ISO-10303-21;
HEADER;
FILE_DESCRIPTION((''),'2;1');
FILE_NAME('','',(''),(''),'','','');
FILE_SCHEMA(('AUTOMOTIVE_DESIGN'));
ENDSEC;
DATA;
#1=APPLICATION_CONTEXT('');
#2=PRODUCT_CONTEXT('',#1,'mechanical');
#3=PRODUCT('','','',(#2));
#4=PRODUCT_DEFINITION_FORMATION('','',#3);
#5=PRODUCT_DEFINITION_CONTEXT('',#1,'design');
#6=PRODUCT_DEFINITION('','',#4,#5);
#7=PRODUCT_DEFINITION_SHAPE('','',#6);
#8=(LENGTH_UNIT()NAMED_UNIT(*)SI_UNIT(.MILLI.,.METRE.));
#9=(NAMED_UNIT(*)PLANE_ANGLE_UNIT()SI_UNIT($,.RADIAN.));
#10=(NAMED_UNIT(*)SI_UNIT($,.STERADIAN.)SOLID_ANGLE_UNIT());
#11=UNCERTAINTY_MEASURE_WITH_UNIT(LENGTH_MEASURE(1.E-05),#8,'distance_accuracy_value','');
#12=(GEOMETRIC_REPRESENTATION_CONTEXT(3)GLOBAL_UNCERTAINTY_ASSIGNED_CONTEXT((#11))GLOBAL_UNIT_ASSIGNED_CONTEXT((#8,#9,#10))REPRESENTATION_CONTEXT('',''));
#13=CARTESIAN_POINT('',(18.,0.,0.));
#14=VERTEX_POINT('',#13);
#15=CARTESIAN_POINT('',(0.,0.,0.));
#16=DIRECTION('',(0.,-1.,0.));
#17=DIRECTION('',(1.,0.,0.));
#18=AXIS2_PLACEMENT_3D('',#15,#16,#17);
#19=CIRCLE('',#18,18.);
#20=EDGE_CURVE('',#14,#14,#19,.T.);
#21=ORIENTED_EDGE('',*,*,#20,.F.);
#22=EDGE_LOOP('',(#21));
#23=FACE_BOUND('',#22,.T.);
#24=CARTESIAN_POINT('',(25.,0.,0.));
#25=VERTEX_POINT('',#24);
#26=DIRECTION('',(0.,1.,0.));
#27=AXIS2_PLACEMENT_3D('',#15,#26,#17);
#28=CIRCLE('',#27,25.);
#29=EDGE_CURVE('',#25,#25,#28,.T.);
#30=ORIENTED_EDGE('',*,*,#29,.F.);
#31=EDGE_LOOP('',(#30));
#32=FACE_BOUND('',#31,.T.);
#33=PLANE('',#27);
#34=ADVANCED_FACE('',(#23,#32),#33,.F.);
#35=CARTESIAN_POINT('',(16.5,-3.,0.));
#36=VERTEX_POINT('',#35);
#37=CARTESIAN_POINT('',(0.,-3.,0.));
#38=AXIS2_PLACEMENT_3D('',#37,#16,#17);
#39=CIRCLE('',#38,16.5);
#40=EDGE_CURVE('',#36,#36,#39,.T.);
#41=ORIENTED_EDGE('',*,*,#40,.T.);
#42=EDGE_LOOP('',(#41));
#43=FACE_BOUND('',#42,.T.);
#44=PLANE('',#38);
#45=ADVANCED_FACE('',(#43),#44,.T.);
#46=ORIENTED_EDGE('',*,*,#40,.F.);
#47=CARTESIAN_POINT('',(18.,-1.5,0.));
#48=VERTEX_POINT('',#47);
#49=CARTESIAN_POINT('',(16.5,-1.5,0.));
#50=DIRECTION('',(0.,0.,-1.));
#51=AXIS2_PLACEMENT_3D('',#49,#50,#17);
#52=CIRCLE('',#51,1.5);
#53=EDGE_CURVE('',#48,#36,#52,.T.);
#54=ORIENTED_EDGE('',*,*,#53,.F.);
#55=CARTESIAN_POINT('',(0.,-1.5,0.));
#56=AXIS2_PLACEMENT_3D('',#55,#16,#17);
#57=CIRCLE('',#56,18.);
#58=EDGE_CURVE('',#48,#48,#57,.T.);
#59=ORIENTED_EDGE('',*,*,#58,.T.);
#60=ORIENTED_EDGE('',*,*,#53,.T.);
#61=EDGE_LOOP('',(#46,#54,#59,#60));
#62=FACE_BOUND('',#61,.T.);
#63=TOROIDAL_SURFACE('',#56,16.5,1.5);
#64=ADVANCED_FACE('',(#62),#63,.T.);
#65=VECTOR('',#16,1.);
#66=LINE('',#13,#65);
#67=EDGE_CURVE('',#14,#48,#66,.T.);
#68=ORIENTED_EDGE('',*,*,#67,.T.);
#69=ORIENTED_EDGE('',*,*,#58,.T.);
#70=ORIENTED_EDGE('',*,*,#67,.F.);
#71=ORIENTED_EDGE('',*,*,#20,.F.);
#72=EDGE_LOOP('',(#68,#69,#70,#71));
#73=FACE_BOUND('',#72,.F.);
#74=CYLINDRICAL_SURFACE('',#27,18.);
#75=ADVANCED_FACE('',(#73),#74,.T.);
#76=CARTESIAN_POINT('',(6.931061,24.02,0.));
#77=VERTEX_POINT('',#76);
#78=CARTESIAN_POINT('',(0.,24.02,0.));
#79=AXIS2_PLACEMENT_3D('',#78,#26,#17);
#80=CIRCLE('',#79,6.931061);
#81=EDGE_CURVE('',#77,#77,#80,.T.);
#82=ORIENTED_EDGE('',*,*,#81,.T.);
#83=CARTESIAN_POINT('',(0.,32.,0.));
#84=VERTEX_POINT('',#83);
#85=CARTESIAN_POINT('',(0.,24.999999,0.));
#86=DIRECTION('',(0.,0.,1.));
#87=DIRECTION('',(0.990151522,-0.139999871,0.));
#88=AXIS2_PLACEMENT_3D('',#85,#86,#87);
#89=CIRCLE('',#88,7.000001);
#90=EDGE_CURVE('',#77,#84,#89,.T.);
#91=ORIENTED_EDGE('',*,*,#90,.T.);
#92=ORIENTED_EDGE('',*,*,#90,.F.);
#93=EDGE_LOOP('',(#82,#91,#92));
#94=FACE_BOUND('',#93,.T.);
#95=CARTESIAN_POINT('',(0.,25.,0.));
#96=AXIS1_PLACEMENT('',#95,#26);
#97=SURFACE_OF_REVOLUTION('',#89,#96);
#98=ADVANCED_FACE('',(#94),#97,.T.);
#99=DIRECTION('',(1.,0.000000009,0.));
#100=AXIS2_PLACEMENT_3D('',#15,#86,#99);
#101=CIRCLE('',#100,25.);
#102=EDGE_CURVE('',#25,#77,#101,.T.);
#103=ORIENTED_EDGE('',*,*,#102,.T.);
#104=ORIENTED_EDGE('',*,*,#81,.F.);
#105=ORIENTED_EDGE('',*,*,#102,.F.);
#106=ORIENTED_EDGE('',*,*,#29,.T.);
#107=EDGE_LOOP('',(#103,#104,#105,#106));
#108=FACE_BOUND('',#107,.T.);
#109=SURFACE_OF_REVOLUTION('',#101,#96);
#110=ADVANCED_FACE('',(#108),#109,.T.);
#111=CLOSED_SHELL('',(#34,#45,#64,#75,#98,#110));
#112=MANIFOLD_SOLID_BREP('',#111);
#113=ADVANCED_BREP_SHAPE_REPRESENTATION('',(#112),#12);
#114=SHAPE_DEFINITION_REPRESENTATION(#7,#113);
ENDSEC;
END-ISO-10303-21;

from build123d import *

# Parameters (mm, degrees)
F2_R     = 18
F3_DEPTH = 3
F4_R     = 1.5


with BuildPart() as f1:
    # F0 (on Top) → F1 (revolve)
    with BuildSketch(Plane.XY):
        with BuildLine():
            Line((0, 0), (25, 0))
            ThreePointArc((25, 0), (19.978445, 15.028697), (6.931061, 24.02))
            ThreePointArc((6.931061, 24.02), (5.284884, 29.590207), (0, 32))
            Line((0, 32), (0, 18))
            Line((0, 18), (0, 0))
        make_face()
    revolve(axis=Axis((0, 25, 0), (0, 1, 0)))

    # F2 (on Front) → F3 (join)
    with BuildSketch(Plane.XZ):
        Circle(F2_R)
    extrude(amount=F3_DEPTH)

    # F4
    f4_edges = [f1.edges().sort_by_distance(p)[0] for p in [
        (-18, -3, 0),
    ]]
    fillet(f4_edges, radius=F4_R)


solid = f1.part
